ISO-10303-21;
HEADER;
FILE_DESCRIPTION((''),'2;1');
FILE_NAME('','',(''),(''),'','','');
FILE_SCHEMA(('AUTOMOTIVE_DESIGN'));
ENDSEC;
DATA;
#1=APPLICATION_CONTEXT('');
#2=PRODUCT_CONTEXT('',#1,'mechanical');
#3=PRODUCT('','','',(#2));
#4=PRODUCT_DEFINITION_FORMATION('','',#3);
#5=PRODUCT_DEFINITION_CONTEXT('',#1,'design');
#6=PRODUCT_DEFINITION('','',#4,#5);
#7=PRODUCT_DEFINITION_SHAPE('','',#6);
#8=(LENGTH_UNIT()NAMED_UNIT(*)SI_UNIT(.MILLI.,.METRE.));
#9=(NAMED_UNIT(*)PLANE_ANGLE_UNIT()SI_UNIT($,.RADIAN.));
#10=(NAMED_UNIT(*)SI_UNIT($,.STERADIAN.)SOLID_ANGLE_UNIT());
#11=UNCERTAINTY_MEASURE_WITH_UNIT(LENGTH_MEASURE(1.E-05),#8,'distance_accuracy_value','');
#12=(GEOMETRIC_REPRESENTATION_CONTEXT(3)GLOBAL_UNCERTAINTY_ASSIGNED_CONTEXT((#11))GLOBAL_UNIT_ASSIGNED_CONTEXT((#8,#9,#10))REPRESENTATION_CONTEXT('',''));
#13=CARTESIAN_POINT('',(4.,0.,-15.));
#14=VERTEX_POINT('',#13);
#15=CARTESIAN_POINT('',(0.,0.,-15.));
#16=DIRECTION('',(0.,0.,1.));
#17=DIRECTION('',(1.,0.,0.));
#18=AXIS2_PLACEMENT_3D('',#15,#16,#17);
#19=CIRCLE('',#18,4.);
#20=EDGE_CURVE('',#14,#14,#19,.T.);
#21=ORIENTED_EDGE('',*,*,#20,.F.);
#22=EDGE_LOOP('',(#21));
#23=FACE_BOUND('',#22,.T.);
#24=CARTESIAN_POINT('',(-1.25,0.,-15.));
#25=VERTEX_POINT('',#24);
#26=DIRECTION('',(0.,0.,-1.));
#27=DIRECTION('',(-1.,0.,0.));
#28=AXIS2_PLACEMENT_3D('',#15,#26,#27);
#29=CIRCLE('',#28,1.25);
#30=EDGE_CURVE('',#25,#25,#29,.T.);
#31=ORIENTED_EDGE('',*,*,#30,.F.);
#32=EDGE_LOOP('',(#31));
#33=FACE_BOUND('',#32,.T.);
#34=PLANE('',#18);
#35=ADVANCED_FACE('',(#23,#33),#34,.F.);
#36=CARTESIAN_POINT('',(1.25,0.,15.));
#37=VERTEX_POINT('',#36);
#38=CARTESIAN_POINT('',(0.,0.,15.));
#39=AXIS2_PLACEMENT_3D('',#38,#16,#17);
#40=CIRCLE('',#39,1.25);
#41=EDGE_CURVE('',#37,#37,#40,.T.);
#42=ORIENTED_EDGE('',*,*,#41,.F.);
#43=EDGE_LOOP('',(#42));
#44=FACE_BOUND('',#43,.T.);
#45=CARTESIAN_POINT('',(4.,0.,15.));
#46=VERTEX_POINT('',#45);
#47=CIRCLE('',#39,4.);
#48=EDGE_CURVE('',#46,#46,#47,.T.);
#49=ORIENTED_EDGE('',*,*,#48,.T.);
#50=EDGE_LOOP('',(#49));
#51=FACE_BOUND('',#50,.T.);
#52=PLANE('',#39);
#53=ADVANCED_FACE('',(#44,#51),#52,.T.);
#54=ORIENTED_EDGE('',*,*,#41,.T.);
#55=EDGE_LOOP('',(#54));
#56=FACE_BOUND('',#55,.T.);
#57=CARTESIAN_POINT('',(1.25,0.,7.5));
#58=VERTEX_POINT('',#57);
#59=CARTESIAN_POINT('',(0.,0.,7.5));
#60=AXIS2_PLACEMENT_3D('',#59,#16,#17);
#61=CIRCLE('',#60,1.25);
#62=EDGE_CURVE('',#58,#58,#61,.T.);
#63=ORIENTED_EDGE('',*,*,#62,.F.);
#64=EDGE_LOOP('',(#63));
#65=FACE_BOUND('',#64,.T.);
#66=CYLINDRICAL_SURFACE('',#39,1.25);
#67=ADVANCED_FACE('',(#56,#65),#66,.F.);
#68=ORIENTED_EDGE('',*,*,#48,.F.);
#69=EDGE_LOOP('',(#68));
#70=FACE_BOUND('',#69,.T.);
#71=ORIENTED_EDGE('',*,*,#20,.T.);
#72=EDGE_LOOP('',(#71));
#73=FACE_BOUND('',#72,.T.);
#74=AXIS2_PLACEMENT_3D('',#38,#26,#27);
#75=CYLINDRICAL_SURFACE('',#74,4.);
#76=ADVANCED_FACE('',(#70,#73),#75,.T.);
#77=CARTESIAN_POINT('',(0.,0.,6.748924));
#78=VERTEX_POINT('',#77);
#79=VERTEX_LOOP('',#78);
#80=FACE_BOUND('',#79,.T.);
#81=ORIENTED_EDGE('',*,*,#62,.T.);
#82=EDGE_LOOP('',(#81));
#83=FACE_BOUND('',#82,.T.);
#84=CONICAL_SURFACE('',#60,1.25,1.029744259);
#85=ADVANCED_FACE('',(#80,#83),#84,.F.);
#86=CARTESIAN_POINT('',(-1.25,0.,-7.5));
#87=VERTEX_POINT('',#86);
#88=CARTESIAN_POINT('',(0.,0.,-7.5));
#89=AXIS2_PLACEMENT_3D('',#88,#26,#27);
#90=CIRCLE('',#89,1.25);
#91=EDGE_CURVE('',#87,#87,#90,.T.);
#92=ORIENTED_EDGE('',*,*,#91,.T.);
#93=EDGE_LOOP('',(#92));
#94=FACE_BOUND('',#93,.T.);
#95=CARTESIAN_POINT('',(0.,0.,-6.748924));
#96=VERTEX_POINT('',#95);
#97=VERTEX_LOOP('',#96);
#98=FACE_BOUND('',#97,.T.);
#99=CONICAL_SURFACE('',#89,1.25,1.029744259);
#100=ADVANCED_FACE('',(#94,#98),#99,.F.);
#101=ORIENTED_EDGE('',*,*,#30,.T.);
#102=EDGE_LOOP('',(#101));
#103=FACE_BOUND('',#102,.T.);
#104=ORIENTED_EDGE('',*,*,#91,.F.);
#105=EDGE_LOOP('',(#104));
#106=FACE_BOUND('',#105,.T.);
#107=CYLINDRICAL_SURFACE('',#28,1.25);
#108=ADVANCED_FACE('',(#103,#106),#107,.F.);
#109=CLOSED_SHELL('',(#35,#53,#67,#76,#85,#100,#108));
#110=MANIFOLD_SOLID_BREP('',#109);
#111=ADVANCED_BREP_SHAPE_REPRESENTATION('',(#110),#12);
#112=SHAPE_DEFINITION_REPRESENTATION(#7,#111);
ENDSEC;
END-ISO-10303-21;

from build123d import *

# Parameters (mm, degrees)
SKETCH1_R           = 4
BOSS_EXTRUDE1_DEPTH = 15


with BuildPart() as part:
    # Sketch1 → Boss-Extrude1 (new, symmetric)
    with BuildSketch(Plane.XY):
        Circle(SKETCH1_R)
    extrude(amount=BOSS_EXTRUDE1_DEPTH, both=True)

    # Sketch3 → M3 Tapped Hole1 (revolve, cut)
    with BuildSketch(Plane(origin=(0, 0, 15), x_dir=(0, -1, 0), z_dir=(1, 0, 0))):
        Polygon((0, 0), (0, 8.251075774), (1.25, 7.5), (1.25, 0), align=None)
    m3_tapped_hole1 = revolve(axis=Axis((0, 0, 21.35), (0, 0, -1)), mode=Mode.SUBTRACT)

    # Mirror1: M3 Tapped Hole1 across plane
    add(m3_tapped_hole1.mirror(Plane.XY), mode=Mode.SUBTRACT)


solid = part.part
